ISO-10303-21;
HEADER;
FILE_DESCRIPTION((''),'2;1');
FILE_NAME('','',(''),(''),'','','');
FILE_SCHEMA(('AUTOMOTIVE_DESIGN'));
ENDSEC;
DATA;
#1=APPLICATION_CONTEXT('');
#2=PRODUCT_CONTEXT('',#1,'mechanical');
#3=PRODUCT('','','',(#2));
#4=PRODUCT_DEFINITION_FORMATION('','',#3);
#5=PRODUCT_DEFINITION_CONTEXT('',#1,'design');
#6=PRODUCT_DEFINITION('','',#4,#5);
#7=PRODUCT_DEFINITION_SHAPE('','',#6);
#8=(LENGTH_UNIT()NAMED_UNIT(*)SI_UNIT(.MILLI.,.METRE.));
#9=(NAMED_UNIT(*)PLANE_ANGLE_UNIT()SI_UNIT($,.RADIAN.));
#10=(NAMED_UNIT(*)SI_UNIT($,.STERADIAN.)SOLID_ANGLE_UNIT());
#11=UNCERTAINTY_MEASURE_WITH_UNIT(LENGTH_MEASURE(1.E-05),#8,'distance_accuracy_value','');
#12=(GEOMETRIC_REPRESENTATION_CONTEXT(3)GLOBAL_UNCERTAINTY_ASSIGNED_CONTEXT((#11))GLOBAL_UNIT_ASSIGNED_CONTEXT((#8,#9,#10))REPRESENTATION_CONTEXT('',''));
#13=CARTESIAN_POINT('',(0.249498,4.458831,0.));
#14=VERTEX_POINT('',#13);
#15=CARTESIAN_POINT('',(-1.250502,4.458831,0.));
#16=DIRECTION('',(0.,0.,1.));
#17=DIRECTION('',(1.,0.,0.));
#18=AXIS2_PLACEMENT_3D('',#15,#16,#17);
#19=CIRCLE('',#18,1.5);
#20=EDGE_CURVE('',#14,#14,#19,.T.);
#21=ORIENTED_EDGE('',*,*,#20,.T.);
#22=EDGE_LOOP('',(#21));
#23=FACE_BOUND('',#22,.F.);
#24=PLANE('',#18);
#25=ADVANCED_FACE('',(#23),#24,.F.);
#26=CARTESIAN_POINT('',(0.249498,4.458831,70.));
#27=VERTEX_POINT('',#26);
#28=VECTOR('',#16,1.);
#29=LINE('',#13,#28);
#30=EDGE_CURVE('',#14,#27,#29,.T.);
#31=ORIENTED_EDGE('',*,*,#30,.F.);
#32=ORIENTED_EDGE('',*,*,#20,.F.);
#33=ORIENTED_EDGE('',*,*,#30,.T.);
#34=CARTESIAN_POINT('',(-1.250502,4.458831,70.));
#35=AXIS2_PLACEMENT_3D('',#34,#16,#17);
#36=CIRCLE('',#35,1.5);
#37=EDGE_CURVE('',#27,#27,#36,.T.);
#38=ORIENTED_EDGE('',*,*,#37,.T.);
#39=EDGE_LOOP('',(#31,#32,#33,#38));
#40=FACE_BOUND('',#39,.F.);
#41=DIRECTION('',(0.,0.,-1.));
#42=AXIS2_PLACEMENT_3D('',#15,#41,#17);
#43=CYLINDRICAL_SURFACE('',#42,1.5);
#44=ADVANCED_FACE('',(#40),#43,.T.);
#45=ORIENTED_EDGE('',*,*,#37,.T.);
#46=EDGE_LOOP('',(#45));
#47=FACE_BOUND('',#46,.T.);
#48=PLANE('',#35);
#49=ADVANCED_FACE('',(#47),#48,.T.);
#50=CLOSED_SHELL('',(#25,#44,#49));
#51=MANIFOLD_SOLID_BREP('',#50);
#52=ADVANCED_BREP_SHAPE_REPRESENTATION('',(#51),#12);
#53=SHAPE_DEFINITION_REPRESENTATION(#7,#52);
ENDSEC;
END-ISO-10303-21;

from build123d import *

# Parameters (mm, degrees)
SKETCH_1_R      = 1.5
EXTRUDE_1_DEPTH = 70


with BuildPart() as part:
    # 草图1 → 凸台-拉伸1 (new body)
    with BuildSketch(Plane.XY):
        with Locations((-1.250502385, 4.458831289)):
            Circle(SKETCH_1_R)
    extrude(amount=EXTRUDE_1_DEPTH)


solid = part.part
